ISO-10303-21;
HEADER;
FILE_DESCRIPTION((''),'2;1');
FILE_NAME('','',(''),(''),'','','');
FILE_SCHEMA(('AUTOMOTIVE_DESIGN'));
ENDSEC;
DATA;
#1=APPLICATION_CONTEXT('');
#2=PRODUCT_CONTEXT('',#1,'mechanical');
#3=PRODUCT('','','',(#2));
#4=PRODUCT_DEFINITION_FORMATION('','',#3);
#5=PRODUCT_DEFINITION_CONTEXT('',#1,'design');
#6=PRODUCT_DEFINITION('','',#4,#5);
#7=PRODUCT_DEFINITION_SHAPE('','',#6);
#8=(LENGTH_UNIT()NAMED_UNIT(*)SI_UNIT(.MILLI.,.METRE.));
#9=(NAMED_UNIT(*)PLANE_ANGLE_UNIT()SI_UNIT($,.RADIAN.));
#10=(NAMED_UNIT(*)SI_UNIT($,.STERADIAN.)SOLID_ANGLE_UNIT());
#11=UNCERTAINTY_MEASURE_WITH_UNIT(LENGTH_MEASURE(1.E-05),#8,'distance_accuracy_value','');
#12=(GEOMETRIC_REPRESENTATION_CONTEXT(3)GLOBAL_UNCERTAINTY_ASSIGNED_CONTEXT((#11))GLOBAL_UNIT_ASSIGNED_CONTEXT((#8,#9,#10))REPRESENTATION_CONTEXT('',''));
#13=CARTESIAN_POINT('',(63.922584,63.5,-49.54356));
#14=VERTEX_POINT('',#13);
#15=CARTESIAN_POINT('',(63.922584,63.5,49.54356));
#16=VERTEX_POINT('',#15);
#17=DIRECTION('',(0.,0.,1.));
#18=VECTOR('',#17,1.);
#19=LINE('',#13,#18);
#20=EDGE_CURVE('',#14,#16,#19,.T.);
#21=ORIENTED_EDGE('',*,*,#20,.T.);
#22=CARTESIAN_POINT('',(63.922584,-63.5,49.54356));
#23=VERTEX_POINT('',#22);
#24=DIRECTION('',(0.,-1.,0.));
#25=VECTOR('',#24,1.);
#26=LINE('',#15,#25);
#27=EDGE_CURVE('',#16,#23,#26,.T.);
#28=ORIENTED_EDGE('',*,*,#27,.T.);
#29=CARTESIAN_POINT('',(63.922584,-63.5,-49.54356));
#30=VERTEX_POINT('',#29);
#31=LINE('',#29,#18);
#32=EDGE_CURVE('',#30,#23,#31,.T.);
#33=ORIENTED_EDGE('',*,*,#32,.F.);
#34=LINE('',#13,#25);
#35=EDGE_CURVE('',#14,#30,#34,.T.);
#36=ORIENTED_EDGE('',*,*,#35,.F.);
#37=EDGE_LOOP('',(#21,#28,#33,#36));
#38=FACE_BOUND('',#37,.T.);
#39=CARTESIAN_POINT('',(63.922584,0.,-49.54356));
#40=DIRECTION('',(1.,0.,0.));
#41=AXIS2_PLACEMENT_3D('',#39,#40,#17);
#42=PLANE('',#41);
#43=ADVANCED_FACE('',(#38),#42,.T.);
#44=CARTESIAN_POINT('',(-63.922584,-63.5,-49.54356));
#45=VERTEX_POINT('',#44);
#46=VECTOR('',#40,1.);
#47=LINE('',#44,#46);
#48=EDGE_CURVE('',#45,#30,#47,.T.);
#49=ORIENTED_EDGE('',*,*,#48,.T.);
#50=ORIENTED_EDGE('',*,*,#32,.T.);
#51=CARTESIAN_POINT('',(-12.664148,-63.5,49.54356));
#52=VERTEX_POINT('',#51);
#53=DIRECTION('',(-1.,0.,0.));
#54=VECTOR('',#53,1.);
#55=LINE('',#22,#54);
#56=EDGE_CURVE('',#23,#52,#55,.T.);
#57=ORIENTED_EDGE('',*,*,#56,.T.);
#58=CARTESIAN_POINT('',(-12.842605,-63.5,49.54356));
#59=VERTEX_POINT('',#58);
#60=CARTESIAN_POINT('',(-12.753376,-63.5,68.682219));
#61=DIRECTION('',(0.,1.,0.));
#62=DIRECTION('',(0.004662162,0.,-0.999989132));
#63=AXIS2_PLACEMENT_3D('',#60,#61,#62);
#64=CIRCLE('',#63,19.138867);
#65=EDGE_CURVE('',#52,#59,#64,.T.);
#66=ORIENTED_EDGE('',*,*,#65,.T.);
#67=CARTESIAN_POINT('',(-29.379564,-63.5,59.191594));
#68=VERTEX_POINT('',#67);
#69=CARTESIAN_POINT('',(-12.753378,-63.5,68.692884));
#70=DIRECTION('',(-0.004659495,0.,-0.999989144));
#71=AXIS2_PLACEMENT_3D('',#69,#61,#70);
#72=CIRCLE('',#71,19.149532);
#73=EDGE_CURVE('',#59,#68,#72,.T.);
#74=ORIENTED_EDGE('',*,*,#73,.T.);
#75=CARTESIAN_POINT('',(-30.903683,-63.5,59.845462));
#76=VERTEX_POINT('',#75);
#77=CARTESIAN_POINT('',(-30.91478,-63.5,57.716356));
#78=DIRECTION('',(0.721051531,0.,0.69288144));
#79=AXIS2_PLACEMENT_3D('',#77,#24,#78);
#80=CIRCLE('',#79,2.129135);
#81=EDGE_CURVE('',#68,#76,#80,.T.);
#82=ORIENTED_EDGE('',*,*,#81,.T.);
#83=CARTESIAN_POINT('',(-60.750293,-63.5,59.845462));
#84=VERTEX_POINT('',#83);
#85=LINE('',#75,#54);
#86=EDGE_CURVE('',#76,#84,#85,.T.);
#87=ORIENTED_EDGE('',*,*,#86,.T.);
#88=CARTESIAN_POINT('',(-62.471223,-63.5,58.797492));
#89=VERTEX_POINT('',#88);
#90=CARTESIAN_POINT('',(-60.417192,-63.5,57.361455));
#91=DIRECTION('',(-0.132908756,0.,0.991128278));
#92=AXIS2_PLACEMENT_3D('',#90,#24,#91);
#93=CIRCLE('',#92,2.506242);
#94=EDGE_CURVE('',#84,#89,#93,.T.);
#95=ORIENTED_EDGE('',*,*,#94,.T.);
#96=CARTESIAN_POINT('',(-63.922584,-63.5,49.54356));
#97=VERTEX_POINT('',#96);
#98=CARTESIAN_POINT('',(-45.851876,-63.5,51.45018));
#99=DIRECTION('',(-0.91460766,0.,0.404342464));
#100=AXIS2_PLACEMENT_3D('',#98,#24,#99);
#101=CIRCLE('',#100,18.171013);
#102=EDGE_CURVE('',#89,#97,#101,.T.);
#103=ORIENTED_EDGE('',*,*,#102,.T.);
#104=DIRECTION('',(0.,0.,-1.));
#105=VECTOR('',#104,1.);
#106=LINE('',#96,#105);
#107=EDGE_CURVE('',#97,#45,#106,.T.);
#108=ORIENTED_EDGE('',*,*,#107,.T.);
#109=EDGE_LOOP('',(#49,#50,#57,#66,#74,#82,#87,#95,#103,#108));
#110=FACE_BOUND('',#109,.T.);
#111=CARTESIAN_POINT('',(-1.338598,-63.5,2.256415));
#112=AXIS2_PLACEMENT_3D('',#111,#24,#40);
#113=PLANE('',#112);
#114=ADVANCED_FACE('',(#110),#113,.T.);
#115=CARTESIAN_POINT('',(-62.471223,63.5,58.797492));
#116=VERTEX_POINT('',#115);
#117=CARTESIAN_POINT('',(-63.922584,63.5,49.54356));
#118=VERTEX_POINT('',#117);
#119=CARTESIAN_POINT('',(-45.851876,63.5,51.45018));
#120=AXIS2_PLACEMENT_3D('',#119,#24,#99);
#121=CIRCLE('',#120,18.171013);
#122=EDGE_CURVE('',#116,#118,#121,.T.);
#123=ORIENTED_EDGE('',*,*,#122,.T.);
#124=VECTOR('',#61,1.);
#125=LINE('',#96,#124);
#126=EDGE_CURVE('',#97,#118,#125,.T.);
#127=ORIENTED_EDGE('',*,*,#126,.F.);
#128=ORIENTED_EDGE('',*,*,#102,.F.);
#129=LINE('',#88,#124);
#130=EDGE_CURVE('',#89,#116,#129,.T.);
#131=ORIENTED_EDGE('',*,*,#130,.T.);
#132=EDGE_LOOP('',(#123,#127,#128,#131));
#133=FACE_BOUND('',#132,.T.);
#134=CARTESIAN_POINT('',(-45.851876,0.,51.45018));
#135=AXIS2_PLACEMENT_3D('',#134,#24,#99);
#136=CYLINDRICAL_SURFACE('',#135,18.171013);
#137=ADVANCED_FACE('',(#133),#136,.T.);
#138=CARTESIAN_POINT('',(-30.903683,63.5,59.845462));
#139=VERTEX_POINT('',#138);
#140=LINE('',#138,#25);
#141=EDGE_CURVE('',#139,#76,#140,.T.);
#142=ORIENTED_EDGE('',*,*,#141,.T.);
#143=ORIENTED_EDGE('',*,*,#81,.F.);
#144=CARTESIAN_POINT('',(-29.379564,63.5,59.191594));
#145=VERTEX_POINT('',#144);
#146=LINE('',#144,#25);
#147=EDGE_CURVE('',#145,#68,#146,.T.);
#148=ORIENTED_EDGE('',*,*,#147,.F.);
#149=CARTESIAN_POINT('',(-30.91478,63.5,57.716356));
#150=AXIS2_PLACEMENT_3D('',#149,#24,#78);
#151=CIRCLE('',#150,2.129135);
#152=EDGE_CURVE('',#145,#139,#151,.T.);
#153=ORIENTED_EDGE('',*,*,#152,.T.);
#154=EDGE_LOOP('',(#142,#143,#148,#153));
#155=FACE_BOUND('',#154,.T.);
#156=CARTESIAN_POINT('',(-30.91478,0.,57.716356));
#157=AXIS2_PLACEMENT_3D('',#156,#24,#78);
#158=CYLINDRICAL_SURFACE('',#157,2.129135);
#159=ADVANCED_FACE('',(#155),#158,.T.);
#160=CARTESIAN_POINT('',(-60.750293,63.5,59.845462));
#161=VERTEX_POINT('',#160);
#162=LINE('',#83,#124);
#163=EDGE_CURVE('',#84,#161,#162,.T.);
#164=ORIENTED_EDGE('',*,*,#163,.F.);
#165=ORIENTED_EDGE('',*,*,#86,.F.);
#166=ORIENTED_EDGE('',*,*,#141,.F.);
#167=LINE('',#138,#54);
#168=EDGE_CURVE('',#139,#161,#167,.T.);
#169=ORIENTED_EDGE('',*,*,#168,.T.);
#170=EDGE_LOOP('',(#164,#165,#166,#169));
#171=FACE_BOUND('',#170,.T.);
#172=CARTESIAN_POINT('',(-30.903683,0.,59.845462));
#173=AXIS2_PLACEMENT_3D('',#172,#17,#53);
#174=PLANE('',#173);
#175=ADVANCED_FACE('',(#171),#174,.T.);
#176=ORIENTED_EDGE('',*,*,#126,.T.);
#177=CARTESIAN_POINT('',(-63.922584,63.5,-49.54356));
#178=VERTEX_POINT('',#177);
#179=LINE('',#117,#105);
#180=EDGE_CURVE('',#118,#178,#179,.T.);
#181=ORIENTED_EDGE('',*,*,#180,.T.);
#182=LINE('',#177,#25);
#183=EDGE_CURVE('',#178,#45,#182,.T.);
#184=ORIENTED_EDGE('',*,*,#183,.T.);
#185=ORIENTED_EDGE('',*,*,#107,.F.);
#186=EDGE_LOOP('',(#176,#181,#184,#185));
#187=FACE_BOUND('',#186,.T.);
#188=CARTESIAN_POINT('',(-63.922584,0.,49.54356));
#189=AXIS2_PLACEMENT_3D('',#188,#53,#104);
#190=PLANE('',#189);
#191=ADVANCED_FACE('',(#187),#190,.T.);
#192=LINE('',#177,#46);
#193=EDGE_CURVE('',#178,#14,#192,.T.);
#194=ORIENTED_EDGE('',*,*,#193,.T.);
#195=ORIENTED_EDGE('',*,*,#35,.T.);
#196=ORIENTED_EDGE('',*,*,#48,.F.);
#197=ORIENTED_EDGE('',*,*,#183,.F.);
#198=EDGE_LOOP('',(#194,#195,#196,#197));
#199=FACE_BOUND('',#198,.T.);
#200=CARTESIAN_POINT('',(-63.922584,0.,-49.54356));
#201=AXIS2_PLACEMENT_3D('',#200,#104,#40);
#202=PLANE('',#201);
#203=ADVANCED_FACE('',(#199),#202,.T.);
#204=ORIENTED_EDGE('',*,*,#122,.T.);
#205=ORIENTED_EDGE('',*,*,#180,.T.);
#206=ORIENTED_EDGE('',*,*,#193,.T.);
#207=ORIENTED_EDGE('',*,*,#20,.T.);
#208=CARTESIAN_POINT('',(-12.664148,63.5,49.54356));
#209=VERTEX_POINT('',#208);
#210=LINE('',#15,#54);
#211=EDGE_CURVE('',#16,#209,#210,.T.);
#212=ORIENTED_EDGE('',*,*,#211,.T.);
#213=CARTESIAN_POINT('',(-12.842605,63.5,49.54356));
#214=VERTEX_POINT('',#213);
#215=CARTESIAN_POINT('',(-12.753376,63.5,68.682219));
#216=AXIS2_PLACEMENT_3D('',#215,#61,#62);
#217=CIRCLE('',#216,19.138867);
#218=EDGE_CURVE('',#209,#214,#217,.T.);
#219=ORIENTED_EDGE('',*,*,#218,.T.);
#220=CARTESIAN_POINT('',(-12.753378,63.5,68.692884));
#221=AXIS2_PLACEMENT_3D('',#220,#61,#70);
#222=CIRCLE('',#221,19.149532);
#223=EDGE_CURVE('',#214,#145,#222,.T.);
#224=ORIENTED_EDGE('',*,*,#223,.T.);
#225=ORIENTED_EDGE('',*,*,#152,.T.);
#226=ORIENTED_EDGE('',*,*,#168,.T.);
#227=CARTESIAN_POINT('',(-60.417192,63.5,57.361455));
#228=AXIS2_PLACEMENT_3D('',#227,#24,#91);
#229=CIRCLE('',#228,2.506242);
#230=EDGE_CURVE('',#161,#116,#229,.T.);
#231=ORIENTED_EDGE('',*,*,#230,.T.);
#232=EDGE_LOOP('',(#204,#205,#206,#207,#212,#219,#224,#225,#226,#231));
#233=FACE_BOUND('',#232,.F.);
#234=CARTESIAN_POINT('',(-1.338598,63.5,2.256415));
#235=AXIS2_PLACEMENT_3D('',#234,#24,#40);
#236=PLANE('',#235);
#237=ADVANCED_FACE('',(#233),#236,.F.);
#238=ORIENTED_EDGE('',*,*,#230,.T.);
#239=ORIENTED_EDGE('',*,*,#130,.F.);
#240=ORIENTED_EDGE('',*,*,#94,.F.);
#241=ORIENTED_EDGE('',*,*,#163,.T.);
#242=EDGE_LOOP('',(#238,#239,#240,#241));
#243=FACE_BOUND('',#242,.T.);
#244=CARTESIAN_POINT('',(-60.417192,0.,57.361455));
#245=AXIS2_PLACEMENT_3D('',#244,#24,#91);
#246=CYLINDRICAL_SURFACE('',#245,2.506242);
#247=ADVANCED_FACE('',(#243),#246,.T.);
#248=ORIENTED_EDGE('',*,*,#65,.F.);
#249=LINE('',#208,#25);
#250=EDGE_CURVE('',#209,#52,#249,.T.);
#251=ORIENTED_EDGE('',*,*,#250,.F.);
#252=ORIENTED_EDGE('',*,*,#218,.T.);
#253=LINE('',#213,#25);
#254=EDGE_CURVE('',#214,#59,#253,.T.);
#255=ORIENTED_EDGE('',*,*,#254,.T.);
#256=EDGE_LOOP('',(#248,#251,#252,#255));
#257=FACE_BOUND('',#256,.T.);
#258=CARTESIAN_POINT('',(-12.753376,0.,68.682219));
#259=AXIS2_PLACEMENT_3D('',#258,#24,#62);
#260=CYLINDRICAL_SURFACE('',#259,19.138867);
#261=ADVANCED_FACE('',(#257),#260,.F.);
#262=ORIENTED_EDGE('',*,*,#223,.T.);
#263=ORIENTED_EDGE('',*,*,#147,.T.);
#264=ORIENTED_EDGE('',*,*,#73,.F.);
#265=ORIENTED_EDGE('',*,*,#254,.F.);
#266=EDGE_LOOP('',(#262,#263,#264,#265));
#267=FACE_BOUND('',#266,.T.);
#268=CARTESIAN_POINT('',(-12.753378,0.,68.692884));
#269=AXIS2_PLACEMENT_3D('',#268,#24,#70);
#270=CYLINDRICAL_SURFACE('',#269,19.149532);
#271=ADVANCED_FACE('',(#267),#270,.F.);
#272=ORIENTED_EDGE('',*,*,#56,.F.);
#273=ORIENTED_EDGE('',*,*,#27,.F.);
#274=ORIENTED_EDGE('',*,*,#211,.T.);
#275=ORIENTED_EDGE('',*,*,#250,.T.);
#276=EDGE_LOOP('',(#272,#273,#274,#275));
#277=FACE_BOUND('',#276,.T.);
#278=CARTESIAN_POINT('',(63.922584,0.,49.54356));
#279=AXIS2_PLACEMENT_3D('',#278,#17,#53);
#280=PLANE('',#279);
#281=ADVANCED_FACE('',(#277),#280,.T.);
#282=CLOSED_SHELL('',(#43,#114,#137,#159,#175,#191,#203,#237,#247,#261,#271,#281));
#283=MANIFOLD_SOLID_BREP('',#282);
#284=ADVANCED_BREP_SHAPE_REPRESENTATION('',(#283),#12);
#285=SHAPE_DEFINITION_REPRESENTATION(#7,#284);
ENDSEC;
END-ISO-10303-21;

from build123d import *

# Parameters (mm, degrees)
F1_DEPTH = 63.5


with BuildPart() as f1:
    # F0 (on Front) → F1 (new body, symmetric)
    with BuildSketch(Plane.XZ):
        with BuildLine():
            Line((-63.922584, 49.54356), (-63.922584, -49.54356))
            Line((-63.922584, -49.54356), (63.922584, -49.54356))
            Line((63.922584, -49.54356), (63.922584, 49.54356))
            Line((63.922584, 49.54356), (-12.664148, 49.54356))
            ThreePointArc((-12.664148, 49.54356), (-12.753376, 49.543352), (-12.842605, 49.54356))
            ThreePointArc((-12.842605, 49.54356), (-22.403372, 52.152564), (-29.379564, 59.191594))
            ThreePointArc((-29.379564, 59.191594), (-30.075341, 59.673026), (-30.903683, 59.845462))
            Line((-30.903683, 59.845462), (-30.925881, 59.845462))
            Line((-30.925881, 59.845462), (-60.750293, 59.845462))
            ThreePointArc((-60.750293, 59.845462), (-61.72071, 59.502036), (-62.471223, 58.797492))
            ThreePointArc((-62.471223, 58.797492), (-63.803444, 54.265654), (-63.922584, 49.54356))
        make_face()
    extrude(amount=F1_DEPTH, both=True)


solid = f1.part
